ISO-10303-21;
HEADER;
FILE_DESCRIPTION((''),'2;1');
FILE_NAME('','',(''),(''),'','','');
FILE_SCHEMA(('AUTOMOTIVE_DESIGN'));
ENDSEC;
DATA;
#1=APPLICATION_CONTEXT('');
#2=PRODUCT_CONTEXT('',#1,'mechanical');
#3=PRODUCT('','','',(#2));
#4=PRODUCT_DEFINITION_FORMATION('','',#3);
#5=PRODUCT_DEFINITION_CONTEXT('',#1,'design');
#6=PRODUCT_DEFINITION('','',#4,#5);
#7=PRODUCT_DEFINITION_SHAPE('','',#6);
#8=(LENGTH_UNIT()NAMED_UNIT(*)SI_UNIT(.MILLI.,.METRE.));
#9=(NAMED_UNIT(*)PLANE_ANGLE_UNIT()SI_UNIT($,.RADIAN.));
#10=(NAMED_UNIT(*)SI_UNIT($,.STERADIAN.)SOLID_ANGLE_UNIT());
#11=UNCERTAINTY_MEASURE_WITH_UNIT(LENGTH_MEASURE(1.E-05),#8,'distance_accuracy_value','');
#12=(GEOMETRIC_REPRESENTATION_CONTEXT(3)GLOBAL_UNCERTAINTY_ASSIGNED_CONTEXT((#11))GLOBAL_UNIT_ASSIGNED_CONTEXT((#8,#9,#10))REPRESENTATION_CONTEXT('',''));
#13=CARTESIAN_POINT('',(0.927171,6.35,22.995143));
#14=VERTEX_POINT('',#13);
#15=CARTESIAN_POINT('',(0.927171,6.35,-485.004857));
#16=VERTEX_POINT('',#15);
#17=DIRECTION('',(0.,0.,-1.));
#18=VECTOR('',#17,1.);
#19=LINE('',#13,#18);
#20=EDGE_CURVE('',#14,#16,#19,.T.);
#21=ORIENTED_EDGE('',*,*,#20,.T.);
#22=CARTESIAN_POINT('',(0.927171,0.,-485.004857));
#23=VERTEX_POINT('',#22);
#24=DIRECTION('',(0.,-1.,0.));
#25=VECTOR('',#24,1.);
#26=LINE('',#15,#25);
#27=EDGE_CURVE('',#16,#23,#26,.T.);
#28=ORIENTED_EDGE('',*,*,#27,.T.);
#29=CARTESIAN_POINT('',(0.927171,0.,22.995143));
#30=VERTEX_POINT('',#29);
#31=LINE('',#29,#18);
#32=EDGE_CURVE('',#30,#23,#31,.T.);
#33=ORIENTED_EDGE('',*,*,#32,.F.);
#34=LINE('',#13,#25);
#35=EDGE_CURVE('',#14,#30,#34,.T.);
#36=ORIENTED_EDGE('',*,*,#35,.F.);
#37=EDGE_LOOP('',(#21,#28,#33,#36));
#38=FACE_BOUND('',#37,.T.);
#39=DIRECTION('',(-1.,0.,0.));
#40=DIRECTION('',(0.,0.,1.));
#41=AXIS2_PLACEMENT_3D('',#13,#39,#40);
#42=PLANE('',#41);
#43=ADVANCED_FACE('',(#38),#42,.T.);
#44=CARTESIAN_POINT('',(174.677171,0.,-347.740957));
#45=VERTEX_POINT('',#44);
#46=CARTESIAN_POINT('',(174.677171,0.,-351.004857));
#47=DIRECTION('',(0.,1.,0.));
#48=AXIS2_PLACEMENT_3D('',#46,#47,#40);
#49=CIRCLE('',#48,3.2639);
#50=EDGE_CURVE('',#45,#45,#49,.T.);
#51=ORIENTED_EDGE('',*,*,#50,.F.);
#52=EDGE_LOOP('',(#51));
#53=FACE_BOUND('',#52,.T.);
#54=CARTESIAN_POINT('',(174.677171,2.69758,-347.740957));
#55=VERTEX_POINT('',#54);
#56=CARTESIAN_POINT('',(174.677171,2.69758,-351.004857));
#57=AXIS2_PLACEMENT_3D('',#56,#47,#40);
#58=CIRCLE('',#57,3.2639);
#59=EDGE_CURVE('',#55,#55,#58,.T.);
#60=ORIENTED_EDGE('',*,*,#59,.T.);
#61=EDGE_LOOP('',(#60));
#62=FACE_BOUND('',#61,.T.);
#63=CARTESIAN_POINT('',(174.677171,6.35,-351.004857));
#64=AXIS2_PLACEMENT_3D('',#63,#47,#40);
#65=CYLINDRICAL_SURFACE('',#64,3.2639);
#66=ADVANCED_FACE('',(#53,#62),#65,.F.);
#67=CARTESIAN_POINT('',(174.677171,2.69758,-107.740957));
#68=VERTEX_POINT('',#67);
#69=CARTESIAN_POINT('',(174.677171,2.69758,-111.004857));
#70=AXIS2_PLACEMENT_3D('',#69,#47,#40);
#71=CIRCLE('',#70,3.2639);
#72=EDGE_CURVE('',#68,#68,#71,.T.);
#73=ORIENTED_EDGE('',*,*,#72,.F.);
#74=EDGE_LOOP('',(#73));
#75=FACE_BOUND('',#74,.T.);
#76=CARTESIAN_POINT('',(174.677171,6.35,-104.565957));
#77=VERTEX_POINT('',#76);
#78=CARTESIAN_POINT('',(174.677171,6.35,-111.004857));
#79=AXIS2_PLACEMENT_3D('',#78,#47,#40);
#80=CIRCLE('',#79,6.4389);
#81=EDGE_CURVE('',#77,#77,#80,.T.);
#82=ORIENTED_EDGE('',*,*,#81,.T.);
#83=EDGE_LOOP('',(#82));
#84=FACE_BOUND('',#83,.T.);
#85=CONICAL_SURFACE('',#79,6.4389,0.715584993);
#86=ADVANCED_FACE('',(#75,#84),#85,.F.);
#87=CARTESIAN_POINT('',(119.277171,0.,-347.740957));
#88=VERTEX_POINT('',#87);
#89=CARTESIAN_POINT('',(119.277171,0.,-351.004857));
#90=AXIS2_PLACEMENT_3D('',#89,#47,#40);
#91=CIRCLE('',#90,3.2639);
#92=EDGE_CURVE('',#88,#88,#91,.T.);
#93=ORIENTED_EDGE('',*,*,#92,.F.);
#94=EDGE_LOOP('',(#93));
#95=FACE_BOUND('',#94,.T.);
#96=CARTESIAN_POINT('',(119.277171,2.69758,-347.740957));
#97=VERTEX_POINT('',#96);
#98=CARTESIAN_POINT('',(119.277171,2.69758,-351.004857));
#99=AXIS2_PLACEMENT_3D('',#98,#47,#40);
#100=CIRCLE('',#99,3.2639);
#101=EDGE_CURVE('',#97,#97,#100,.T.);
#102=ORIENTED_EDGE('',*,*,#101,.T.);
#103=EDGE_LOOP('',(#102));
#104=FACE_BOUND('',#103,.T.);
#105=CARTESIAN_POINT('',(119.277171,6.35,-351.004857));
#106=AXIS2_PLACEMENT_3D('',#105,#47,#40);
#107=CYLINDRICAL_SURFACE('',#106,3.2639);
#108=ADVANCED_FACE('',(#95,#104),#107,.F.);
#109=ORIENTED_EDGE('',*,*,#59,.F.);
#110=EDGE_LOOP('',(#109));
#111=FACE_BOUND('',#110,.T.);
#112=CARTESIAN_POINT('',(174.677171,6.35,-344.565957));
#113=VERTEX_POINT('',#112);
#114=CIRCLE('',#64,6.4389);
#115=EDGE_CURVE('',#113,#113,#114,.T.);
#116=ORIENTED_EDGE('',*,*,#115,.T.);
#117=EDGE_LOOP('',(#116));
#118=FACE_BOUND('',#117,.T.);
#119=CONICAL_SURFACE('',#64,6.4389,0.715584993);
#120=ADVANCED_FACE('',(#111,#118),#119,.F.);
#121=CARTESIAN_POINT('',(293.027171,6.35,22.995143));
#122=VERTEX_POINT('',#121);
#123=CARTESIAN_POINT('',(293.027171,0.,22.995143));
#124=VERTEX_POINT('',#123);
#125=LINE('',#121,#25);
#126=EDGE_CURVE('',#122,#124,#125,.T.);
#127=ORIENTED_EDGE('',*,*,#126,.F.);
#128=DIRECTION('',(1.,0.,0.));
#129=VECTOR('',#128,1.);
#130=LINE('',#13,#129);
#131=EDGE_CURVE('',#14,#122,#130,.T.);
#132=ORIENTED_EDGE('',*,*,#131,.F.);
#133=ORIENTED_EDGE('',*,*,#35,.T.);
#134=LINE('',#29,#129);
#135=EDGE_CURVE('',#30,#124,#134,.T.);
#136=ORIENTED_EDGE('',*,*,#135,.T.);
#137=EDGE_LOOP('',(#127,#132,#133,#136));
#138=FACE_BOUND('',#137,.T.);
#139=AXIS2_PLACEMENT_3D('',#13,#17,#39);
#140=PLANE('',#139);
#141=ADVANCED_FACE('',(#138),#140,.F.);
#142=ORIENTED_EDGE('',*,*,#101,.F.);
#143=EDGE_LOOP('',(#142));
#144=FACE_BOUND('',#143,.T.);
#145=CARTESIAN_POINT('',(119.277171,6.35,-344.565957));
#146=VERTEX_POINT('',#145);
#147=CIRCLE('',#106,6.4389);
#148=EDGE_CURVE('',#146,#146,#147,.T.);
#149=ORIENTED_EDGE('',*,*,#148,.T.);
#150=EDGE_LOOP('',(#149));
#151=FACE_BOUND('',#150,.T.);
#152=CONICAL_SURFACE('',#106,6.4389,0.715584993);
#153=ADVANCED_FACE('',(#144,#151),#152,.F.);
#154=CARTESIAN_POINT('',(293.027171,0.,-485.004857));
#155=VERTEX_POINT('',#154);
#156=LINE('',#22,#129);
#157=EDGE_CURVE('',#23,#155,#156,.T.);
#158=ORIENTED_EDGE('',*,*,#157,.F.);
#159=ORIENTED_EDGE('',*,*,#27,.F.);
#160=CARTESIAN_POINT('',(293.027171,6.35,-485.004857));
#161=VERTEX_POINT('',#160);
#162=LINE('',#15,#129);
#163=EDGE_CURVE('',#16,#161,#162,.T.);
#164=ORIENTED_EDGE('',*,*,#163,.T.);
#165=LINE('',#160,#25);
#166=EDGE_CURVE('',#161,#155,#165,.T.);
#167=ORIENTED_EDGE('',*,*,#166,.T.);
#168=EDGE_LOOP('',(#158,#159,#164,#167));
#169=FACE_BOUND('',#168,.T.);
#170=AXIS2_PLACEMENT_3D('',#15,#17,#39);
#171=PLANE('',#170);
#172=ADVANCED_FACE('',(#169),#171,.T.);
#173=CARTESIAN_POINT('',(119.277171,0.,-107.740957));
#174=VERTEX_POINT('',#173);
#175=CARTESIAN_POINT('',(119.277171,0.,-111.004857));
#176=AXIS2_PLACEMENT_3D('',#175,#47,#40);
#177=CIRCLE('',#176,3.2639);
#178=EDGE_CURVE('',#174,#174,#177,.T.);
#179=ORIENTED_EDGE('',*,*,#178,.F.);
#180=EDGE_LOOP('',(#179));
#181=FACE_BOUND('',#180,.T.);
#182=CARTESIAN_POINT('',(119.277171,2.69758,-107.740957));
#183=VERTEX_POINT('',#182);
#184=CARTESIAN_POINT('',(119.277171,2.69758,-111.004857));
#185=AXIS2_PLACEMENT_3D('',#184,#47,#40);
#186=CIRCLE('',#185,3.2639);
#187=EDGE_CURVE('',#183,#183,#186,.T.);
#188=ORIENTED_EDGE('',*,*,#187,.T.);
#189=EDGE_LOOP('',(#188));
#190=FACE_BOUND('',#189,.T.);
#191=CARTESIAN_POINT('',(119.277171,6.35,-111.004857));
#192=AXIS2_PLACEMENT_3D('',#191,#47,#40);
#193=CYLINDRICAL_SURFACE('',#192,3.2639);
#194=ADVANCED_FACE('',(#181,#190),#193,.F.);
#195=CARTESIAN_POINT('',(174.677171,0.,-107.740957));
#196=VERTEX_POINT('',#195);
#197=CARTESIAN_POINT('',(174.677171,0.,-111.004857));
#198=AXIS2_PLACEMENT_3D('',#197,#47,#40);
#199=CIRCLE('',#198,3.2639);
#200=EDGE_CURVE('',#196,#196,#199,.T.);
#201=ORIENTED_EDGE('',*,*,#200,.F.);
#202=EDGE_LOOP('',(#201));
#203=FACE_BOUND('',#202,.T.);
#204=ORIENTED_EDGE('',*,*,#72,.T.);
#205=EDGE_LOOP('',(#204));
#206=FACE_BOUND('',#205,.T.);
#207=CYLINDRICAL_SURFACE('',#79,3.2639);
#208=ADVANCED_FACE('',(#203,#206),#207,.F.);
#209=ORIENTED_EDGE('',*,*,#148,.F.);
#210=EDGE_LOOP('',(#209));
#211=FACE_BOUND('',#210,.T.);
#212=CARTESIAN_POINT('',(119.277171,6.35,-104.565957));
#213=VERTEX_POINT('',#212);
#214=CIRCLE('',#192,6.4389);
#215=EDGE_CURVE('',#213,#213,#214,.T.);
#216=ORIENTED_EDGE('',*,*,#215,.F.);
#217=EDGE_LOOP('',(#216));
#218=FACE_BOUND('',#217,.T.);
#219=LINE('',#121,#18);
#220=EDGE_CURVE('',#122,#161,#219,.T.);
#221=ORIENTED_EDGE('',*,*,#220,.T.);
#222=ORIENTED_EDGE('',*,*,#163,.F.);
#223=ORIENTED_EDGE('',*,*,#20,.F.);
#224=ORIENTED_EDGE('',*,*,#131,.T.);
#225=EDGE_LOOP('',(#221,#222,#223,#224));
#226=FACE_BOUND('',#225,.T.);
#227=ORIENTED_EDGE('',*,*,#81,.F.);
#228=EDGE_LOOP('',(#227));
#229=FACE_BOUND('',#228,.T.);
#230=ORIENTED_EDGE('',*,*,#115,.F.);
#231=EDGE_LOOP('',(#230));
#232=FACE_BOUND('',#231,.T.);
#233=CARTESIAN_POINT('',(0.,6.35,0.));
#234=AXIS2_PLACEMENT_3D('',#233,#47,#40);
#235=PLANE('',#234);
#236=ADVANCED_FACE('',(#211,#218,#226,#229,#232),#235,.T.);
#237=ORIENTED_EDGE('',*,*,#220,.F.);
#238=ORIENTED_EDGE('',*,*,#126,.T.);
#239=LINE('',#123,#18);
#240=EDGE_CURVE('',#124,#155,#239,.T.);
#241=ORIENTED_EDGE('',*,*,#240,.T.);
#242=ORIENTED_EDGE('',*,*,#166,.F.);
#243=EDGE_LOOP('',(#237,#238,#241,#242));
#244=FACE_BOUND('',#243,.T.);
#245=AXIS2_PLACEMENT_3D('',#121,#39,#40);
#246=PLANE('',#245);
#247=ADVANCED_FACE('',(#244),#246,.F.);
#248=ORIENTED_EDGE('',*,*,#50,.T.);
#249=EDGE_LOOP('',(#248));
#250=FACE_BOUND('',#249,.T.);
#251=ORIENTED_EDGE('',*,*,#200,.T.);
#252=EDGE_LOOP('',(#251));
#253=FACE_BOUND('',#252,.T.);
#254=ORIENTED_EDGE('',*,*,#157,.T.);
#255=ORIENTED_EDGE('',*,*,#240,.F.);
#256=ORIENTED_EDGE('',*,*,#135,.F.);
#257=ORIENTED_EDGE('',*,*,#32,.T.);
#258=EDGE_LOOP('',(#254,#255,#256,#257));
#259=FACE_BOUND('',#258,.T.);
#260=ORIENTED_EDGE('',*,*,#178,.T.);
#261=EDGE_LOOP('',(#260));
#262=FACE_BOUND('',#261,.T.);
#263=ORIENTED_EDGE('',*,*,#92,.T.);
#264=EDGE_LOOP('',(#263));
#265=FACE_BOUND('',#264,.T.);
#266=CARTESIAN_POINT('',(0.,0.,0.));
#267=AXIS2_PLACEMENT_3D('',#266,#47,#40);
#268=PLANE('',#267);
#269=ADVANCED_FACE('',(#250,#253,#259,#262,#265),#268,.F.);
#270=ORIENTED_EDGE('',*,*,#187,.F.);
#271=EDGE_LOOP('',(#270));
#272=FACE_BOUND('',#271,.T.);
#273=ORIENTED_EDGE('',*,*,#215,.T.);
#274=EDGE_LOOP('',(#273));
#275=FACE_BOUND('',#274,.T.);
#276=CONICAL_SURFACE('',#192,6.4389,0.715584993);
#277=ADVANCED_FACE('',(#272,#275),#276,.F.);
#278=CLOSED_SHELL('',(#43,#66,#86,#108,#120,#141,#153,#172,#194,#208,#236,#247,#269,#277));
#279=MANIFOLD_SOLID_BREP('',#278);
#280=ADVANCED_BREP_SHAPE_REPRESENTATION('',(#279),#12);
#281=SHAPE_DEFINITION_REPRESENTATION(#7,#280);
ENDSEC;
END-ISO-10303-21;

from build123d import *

# Parameters (mm, degrees)
SKETCH1_W                                     = 292.1
SKETCH1_H                                     = 508
BOSS_EXTRUDE1_DEPTH                           = 6.35
CSK_FOR_1_4_FLAT_HEAD_MACHINE_SCREW1_AT_COUNT = 2
CSK_FOR_1_4_FLAT_HEAD_MACHINE_SCREW1_AT_PITCH = 55.4
CSK_FOR_1_4_FLAT_HEAD_MACHINE_SCREW1_2_COUNT  = 2
CSK_FOR_1_4_FLAT_HEAD_MACHINE_SCREW1_2_PITCH  = 246.311104094
CSK_FOR_1_4_FLAT_HEAD_MACHINE_SCREW1_3_COUNT  = 2
CSK_FOR_1_4_FLAT_HEAD_MACHINE_SCREW1_3_PITCH  = 240


with BuildPart() as part:
    # Sketch1 → Boss-Extrude1 (new body)
    with BuildSketch(Plane(origin=(0, 0, 0), x_dir=(1, 0, 0), z_dir=(0, 1, 0))):
        with Locations((146.977170591, 231.004856512)):
            Rectangle(SKETCH1_W, SKETCH1_H)
    extrude(amount=BOSS_EXTRUDE1_DEPTH)

    # Sketch6 → CSK for 1/4 Flat Head Machine Screw1 (revolve, cut)
    with BuildSketch(Plane(origin=(119.277170591, 6.35, -351.004856512), x_dir=(0, 0, 1), z_dir=(1, 0, 0))):
        Polygon((0, 0), (0, 6.35), (3.2639, 6.35), (3.2639, 3.652419693), (6.4389, 0), align=None)
    csk_for_1_4_flat_head_machine_screw1 = revolve(axis=Axis((119.277170591, 12.7, -351.004856512), (0, -1, 0)), mode=Mode.SUBTRACT)

    # CSK for 1/4 Flat Head Machine Screw1 at: CSK for 1/4 Flat Head Machine Screw1 ×2
    with Locations(*[(i * CSK_FOR_1_4_FLAT_HEAD_MACHINE_SCREW1_AT_PITCH, 0, 0) for i in range(1, CSK_FOR_1_4_FLAT_HEAD_MACHINE_SCREW1_AT_COUNT)]):
        add(csk_for_1_4_flat_head_machine_screw1, mode=Mode.SUBTRACT)

    # CSK for 1_4 Flat Head Machine Screw1 2: CSK for 1/4 Flat Head Machine Screw1 ×2
    with Locations(*[Vector(0.22491880828425845, 0, 0.9743775088126722) * (i * CSK_FOR_1_4_FLAT_HEAD_MACHINE_SCREW1_2_PITCH) for i in range(1, CSK_FOR_1_4_FLAT_HEAD_MACHINE_SCREW1_2_COUNT)]):
        add(csk_for_1_4_flat_head_machine_screw1, mode=Mode.SUBTRACT)

    # CSK for 1_4 Flat Head Machine Screw1 3: CSK for 1/4 Flat Head Machine Screw1 ×2
    with Locations(*[(0, 0, i * CSK_FOR_1_4_FLAT_HEAD_MACHINE_SCREW1_3_PITCH) for i in range(1, CSK_FOR_1_4_FLAT_HEAD_MACHINE_SCREW1_3_COUNT)]):
        add(csk_for_1_4_flat_head_machine_screw1, mode=Mode.SUBTRACT)


solid = part.part
